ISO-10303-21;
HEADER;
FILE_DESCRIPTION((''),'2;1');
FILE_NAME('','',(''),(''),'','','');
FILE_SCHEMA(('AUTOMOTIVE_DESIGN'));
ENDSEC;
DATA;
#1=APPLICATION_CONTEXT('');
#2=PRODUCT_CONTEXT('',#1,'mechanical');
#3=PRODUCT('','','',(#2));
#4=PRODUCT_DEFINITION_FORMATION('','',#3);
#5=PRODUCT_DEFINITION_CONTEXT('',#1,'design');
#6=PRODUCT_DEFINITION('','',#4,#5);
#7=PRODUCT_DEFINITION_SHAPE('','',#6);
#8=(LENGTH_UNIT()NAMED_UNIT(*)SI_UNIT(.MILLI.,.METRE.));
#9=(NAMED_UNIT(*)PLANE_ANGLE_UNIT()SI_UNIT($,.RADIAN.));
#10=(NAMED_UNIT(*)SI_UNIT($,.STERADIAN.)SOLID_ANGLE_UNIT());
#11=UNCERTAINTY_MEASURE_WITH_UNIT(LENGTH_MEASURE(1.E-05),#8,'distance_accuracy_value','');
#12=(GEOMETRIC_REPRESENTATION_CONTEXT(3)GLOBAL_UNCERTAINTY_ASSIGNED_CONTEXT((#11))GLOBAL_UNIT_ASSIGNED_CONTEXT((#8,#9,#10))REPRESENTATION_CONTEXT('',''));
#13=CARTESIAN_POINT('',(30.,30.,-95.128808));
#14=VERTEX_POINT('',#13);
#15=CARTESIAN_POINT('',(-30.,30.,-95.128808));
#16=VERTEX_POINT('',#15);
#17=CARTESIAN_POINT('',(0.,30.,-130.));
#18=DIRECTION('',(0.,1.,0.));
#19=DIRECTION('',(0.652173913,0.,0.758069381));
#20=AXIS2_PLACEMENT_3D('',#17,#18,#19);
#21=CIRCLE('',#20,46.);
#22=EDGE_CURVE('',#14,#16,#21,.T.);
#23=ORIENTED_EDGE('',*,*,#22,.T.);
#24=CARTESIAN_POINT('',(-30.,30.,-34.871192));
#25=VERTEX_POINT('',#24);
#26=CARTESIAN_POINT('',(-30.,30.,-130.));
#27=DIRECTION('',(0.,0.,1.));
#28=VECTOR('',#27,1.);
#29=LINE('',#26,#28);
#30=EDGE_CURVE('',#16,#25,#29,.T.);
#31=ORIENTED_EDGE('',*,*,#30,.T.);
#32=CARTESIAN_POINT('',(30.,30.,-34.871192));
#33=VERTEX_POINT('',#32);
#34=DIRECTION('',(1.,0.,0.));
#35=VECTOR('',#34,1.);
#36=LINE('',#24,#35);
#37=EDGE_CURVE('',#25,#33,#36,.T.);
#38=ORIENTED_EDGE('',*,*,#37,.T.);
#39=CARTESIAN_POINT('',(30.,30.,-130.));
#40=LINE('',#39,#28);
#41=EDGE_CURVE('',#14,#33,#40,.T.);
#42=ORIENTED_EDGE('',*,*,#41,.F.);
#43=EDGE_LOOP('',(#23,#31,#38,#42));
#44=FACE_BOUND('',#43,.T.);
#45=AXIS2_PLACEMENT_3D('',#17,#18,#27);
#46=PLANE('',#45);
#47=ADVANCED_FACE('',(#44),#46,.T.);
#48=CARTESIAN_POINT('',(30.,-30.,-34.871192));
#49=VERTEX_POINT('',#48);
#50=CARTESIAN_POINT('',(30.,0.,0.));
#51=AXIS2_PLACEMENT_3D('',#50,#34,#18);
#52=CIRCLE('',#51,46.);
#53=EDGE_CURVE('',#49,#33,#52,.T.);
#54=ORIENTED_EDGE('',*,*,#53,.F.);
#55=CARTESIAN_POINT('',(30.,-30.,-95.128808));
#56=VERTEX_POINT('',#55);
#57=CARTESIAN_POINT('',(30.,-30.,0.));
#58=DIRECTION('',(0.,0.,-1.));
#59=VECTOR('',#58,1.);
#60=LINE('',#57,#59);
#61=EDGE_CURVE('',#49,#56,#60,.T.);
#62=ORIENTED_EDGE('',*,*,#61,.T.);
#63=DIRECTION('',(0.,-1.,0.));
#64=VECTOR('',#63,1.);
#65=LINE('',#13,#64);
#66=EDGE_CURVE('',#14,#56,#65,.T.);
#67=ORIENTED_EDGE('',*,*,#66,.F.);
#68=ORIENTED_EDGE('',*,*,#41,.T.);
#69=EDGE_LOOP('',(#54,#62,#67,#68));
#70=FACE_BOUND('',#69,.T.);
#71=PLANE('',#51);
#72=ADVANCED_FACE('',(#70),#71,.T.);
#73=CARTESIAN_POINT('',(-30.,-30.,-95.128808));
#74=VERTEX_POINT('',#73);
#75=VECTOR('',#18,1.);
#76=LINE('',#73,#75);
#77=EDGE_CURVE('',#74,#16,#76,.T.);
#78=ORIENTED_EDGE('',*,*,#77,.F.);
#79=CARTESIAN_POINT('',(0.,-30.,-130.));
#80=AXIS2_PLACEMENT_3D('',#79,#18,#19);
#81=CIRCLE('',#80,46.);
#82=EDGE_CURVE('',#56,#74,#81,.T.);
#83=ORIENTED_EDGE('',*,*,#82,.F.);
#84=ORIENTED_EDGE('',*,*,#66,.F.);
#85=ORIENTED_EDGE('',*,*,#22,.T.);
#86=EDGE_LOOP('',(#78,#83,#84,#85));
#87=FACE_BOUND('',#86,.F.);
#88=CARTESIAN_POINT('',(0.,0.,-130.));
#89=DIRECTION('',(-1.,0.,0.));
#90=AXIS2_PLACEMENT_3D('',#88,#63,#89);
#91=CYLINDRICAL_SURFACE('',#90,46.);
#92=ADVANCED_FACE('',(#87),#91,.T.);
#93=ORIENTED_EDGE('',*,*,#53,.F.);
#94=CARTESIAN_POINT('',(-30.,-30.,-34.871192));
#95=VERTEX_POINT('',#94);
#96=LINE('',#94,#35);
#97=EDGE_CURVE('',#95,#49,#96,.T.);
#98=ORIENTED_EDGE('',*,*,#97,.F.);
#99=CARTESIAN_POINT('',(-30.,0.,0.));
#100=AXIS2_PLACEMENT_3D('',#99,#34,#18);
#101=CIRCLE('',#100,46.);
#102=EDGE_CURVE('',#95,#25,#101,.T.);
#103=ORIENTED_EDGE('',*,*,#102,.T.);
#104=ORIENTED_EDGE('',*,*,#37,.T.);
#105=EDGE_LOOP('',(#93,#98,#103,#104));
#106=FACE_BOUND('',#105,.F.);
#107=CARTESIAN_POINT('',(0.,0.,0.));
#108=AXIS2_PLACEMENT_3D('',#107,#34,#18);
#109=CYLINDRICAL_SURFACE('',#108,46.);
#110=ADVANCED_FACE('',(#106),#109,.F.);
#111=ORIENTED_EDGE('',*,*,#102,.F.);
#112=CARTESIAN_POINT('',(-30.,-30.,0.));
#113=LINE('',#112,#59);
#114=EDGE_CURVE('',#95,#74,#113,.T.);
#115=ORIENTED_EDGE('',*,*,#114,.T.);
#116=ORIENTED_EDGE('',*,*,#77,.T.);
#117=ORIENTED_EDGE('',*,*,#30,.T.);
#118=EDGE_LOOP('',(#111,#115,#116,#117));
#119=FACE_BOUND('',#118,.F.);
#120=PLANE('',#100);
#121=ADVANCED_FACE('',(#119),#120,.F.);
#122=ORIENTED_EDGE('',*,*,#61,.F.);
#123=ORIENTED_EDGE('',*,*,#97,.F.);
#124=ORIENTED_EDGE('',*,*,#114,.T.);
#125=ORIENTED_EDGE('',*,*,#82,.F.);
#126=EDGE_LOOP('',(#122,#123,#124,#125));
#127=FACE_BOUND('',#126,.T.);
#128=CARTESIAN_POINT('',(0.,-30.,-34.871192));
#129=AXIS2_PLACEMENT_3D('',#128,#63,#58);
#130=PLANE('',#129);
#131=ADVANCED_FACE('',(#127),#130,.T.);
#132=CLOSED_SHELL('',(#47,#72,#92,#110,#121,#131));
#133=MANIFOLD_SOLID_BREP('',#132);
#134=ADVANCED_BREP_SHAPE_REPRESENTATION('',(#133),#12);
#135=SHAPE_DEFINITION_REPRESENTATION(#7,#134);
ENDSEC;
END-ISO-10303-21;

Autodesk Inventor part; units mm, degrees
ref_plane "YZ Plane" through (0, 0, 0) normal (1, 0, 0) x (0, 1, 0)
ref_plane "XZ Plane" through (0, 0, 0) normal (0, 1, 0) x (-1, 0, 0)
sketch "Sketch1" plane through (0, 0, 0) normal (1, 0, 0) x (0, 1, 0)
  circle A0 centre (0, 0) radius 30
  line L0 (-30, 0) -> (-30, -130)
  line L1 (-30, -130) -> (30, -130)
  line L2 (30, -130) -> (30, 0)
  circle A1 centre (0, 0) radius 46
  line L3 (0, -56) -> (15, -56)
  line L4 (15, -56) -> (15, -85)
  line L5 (15, -85) -> (0, -85)
  line L6 (0, -85) -> (0, -56)
  point P0 (30, -34.8712)
  point P1 (-30, -34.8712)
  point P2 (0, -46)
  dimension "d16" = 92
  dimension "d0" = 60
  dimension "d1" = 130
  dimension "d18" = 30
  dimension "d19" = 45
  dimension "d20" = 10
  dimension "d21" = 29
extrude "Extrusion1" add sketch "Sketch1" along normal mid plane 60 contours L2 L1 L0 A1 | L3 L4 L5 L6
sketch "Sketch2" plane through (0, 0, 0) normal (0, 1, 0) x (-1, 0, 0)
  line L0 (-30, -130) -> (30, -130) projected
  circle A0 centre (0, -130) radius 46
  point P0 (0, 0)
  dimension "d4" = 92
extrude "Extrusion2" add sketch "Sketch2" along normal mid plane 60
ref_plane "Work Plane1" through (0, 0, -84) normal (0, 0, 1) x (1, 0, 0)
fillet "Fillet2" [suppressed]
equation "\"d4\" = d16"
properties part number "thigh"
